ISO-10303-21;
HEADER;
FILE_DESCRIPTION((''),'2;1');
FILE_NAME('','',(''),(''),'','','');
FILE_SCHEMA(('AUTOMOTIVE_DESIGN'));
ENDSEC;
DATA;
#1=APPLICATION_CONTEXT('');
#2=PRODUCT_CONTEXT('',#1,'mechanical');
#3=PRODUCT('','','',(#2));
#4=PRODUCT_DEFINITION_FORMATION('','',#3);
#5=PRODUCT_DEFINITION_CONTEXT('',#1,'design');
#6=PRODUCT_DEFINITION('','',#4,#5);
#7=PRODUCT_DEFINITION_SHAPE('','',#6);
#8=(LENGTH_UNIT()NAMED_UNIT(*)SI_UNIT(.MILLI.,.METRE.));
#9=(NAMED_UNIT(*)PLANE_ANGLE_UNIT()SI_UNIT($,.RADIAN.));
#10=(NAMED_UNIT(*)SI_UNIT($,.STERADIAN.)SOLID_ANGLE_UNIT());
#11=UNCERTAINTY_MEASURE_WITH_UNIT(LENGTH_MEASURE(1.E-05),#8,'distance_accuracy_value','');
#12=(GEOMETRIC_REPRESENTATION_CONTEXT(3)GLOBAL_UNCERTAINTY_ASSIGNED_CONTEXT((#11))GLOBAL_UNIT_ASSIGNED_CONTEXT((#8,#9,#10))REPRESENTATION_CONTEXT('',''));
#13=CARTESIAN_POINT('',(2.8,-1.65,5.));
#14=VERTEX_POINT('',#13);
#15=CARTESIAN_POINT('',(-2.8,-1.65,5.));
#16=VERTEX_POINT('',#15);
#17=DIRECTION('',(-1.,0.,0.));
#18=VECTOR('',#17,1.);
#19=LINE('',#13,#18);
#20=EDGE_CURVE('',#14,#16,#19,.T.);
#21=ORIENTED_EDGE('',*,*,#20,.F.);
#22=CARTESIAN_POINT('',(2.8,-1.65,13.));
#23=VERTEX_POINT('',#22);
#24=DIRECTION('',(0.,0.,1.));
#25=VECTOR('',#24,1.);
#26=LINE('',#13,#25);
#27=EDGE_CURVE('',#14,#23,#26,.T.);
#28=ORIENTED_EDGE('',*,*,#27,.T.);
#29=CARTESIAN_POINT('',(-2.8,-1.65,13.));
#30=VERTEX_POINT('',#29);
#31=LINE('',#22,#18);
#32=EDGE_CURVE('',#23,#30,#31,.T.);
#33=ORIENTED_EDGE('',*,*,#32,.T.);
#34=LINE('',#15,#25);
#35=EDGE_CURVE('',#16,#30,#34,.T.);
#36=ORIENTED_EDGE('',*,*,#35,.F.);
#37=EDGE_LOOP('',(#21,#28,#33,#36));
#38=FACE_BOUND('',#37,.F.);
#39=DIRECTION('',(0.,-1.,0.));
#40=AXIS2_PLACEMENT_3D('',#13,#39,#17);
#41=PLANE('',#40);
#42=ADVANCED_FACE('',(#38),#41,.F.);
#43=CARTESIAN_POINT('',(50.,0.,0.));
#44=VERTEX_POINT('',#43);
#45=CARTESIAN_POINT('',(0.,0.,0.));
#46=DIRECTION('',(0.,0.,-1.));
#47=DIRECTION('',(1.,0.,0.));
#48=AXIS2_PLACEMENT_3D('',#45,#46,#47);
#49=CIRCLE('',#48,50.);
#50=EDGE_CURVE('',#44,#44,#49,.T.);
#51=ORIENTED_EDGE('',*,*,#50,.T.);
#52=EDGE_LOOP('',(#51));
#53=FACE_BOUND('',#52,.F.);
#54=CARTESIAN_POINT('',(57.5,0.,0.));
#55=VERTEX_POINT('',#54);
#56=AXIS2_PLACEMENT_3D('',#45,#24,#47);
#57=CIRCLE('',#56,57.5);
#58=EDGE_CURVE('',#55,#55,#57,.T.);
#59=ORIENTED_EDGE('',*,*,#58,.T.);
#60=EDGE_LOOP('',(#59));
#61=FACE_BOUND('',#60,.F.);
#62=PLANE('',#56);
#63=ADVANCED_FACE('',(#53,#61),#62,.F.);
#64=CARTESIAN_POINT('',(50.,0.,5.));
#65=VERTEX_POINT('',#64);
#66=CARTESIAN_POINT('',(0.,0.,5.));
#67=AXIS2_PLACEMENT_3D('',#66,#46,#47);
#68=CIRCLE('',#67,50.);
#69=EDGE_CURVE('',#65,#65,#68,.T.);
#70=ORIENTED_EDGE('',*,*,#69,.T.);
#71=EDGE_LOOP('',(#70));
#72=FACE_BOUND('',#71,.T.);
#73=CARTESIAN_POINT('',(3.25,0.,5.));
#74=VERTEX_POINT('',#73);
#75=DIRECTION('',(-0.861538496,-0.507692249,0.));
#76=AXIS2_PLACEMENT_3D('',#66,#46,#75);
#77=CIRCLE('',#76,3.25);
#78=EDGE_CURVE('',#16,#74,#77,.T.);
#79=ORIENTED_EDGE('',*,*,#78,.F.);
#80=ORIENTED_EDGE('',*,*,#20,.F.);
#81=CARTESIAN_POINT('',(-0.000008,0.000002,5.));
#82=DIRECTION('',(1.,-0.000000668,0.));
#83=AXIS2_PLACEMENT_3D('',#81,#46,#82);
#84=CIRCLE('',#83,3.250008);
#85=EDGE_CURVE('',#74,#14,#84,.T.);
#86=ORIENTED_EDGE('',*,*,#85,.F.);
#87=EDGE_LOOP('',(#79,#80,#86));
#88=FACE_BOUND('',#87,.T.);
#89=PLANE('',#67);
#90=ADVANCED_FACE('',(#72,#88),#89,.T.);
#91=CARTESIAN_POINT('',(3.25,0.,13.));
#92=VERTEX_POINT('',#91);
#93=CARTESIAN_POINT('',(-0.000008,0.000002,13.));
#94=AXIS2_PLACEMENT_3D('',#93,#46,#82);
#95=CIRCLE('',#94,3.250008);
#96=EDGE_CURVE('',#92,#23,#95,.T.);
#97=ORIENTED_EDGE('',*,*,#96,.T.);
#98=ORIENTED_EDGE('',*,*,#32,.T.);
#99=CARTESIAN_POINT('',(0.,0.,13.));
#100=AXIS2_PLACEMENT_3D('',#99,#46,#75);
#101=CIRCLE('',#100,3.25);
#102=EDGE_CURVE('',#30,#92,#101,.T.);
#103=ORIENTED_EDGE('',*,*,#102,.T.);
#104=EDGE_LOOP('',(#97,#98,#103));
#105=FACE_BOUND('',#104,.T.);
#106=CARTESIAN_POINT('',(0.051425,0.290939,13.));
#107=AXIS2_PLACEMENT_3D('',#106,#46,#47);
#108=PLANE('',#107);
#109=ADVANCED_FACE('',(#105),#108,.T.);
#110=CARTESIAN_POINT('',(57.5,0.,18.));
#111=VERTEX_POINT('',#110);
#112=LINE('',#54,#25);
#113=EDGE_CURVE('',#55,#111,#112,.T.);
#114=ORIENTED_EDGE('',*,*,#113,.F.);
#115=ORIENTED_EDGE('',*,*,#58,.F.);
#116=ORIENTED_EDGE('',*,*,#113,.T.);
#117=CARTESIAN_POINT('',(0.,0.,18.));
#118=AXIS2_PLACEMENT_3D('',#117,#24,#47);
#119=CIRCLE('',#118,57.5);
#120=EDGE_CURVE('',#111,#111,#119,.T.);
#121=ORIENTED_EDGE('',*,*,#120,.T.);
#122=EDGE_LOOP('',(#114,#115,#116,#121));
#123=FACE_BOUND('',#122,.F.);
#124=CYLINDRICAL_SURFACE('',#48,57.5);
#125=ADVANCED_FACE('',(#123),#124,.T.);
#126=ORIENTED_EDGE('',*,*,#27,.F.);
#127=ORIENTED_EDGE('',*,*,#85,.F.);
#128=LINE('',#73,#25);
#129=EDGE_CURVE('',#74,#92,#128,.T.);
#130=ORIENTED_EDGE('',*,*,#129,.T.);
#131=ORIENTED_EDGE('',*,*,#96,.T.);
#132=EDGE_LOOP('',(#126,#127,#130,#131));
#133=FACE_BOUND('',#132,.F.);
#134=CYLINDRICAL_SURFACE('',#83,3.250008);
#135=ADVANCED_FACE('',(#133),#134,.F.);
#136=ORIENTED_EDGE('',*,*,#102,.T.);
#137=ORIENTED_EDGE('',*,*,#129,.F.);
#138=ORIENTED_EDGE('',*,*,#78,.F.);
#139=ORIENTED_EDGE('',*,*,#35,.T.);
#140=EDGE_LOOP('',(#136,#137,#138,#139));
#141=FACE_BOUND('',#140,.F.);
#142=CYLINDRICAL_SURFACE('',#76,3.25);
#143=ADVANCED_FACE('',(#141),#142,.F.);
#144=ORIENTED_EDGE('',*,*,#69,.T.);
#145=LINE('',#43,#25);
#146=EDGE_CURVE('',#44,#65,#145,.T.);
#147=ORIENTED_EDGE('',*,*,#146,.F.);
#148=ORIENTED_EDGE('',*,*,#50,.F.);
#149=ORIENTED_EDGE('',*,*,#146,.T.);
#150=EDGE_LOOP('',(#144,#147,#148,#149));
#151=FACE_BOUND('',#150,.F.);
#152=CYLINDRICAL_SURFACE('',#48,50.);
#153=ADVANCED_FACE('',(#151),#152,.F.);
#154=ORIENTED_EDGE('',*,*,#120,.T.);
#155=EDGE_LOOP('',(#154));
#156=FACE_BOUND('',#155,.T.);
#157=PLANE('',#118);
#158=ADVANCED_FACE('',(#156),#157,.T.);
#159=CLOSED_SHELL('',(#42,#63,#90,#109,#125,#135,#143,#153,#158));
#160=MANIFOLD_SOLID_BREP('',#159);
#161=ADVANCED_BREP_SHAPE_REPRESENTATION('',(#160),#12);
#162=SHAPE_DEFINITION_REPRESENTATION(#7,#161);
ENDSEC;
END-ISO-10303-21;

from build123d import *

# Parameters (mm, degrees)
F0_R     = 57.5
F1_DEPTH = 18
F2_R     = 50
F3_DEPTH = 5
F5_DEPTH = 8


with BuildPart() as f1:
    # F0 (on Top) → F1 (new body)
    with BuildSketch(Plane.XY):
        Circle(F0_R)
    extrude(amount=F1_DEPTH)

    # F2 (on face) → F3 (cut)
    with BuildSketch(Plane(origin=(0, 0, 0), x_dir=(1, 0, 0), z_dir=(0, 0, -1))):
        Circle(F2_R)
    extrude(amount=-F3_DEPTH, mode=Mode.SUBTRACT)

    # F4 (on face) → F5 (cut)
    with BuildSketch(Plane(origin=(0, 0, 5), x_dir=(1, 0, 0), z_dir=(0, 0, -1))):
        with BuildLine():
            ThreePointArc((-2.8, 1.65), (-0.855132, -3.135482), (3.25, 0))
            ThreePointArc((3.25, 0), (3.135482, 0.855132), (2.8, 1.65))
            Line((2.8, 1.65), (-2.8, 1.65))
        make_face()
    extrude(amount=-F5_DEPTH, mode=Mode.SUBTRACT)


solid = f1.part
